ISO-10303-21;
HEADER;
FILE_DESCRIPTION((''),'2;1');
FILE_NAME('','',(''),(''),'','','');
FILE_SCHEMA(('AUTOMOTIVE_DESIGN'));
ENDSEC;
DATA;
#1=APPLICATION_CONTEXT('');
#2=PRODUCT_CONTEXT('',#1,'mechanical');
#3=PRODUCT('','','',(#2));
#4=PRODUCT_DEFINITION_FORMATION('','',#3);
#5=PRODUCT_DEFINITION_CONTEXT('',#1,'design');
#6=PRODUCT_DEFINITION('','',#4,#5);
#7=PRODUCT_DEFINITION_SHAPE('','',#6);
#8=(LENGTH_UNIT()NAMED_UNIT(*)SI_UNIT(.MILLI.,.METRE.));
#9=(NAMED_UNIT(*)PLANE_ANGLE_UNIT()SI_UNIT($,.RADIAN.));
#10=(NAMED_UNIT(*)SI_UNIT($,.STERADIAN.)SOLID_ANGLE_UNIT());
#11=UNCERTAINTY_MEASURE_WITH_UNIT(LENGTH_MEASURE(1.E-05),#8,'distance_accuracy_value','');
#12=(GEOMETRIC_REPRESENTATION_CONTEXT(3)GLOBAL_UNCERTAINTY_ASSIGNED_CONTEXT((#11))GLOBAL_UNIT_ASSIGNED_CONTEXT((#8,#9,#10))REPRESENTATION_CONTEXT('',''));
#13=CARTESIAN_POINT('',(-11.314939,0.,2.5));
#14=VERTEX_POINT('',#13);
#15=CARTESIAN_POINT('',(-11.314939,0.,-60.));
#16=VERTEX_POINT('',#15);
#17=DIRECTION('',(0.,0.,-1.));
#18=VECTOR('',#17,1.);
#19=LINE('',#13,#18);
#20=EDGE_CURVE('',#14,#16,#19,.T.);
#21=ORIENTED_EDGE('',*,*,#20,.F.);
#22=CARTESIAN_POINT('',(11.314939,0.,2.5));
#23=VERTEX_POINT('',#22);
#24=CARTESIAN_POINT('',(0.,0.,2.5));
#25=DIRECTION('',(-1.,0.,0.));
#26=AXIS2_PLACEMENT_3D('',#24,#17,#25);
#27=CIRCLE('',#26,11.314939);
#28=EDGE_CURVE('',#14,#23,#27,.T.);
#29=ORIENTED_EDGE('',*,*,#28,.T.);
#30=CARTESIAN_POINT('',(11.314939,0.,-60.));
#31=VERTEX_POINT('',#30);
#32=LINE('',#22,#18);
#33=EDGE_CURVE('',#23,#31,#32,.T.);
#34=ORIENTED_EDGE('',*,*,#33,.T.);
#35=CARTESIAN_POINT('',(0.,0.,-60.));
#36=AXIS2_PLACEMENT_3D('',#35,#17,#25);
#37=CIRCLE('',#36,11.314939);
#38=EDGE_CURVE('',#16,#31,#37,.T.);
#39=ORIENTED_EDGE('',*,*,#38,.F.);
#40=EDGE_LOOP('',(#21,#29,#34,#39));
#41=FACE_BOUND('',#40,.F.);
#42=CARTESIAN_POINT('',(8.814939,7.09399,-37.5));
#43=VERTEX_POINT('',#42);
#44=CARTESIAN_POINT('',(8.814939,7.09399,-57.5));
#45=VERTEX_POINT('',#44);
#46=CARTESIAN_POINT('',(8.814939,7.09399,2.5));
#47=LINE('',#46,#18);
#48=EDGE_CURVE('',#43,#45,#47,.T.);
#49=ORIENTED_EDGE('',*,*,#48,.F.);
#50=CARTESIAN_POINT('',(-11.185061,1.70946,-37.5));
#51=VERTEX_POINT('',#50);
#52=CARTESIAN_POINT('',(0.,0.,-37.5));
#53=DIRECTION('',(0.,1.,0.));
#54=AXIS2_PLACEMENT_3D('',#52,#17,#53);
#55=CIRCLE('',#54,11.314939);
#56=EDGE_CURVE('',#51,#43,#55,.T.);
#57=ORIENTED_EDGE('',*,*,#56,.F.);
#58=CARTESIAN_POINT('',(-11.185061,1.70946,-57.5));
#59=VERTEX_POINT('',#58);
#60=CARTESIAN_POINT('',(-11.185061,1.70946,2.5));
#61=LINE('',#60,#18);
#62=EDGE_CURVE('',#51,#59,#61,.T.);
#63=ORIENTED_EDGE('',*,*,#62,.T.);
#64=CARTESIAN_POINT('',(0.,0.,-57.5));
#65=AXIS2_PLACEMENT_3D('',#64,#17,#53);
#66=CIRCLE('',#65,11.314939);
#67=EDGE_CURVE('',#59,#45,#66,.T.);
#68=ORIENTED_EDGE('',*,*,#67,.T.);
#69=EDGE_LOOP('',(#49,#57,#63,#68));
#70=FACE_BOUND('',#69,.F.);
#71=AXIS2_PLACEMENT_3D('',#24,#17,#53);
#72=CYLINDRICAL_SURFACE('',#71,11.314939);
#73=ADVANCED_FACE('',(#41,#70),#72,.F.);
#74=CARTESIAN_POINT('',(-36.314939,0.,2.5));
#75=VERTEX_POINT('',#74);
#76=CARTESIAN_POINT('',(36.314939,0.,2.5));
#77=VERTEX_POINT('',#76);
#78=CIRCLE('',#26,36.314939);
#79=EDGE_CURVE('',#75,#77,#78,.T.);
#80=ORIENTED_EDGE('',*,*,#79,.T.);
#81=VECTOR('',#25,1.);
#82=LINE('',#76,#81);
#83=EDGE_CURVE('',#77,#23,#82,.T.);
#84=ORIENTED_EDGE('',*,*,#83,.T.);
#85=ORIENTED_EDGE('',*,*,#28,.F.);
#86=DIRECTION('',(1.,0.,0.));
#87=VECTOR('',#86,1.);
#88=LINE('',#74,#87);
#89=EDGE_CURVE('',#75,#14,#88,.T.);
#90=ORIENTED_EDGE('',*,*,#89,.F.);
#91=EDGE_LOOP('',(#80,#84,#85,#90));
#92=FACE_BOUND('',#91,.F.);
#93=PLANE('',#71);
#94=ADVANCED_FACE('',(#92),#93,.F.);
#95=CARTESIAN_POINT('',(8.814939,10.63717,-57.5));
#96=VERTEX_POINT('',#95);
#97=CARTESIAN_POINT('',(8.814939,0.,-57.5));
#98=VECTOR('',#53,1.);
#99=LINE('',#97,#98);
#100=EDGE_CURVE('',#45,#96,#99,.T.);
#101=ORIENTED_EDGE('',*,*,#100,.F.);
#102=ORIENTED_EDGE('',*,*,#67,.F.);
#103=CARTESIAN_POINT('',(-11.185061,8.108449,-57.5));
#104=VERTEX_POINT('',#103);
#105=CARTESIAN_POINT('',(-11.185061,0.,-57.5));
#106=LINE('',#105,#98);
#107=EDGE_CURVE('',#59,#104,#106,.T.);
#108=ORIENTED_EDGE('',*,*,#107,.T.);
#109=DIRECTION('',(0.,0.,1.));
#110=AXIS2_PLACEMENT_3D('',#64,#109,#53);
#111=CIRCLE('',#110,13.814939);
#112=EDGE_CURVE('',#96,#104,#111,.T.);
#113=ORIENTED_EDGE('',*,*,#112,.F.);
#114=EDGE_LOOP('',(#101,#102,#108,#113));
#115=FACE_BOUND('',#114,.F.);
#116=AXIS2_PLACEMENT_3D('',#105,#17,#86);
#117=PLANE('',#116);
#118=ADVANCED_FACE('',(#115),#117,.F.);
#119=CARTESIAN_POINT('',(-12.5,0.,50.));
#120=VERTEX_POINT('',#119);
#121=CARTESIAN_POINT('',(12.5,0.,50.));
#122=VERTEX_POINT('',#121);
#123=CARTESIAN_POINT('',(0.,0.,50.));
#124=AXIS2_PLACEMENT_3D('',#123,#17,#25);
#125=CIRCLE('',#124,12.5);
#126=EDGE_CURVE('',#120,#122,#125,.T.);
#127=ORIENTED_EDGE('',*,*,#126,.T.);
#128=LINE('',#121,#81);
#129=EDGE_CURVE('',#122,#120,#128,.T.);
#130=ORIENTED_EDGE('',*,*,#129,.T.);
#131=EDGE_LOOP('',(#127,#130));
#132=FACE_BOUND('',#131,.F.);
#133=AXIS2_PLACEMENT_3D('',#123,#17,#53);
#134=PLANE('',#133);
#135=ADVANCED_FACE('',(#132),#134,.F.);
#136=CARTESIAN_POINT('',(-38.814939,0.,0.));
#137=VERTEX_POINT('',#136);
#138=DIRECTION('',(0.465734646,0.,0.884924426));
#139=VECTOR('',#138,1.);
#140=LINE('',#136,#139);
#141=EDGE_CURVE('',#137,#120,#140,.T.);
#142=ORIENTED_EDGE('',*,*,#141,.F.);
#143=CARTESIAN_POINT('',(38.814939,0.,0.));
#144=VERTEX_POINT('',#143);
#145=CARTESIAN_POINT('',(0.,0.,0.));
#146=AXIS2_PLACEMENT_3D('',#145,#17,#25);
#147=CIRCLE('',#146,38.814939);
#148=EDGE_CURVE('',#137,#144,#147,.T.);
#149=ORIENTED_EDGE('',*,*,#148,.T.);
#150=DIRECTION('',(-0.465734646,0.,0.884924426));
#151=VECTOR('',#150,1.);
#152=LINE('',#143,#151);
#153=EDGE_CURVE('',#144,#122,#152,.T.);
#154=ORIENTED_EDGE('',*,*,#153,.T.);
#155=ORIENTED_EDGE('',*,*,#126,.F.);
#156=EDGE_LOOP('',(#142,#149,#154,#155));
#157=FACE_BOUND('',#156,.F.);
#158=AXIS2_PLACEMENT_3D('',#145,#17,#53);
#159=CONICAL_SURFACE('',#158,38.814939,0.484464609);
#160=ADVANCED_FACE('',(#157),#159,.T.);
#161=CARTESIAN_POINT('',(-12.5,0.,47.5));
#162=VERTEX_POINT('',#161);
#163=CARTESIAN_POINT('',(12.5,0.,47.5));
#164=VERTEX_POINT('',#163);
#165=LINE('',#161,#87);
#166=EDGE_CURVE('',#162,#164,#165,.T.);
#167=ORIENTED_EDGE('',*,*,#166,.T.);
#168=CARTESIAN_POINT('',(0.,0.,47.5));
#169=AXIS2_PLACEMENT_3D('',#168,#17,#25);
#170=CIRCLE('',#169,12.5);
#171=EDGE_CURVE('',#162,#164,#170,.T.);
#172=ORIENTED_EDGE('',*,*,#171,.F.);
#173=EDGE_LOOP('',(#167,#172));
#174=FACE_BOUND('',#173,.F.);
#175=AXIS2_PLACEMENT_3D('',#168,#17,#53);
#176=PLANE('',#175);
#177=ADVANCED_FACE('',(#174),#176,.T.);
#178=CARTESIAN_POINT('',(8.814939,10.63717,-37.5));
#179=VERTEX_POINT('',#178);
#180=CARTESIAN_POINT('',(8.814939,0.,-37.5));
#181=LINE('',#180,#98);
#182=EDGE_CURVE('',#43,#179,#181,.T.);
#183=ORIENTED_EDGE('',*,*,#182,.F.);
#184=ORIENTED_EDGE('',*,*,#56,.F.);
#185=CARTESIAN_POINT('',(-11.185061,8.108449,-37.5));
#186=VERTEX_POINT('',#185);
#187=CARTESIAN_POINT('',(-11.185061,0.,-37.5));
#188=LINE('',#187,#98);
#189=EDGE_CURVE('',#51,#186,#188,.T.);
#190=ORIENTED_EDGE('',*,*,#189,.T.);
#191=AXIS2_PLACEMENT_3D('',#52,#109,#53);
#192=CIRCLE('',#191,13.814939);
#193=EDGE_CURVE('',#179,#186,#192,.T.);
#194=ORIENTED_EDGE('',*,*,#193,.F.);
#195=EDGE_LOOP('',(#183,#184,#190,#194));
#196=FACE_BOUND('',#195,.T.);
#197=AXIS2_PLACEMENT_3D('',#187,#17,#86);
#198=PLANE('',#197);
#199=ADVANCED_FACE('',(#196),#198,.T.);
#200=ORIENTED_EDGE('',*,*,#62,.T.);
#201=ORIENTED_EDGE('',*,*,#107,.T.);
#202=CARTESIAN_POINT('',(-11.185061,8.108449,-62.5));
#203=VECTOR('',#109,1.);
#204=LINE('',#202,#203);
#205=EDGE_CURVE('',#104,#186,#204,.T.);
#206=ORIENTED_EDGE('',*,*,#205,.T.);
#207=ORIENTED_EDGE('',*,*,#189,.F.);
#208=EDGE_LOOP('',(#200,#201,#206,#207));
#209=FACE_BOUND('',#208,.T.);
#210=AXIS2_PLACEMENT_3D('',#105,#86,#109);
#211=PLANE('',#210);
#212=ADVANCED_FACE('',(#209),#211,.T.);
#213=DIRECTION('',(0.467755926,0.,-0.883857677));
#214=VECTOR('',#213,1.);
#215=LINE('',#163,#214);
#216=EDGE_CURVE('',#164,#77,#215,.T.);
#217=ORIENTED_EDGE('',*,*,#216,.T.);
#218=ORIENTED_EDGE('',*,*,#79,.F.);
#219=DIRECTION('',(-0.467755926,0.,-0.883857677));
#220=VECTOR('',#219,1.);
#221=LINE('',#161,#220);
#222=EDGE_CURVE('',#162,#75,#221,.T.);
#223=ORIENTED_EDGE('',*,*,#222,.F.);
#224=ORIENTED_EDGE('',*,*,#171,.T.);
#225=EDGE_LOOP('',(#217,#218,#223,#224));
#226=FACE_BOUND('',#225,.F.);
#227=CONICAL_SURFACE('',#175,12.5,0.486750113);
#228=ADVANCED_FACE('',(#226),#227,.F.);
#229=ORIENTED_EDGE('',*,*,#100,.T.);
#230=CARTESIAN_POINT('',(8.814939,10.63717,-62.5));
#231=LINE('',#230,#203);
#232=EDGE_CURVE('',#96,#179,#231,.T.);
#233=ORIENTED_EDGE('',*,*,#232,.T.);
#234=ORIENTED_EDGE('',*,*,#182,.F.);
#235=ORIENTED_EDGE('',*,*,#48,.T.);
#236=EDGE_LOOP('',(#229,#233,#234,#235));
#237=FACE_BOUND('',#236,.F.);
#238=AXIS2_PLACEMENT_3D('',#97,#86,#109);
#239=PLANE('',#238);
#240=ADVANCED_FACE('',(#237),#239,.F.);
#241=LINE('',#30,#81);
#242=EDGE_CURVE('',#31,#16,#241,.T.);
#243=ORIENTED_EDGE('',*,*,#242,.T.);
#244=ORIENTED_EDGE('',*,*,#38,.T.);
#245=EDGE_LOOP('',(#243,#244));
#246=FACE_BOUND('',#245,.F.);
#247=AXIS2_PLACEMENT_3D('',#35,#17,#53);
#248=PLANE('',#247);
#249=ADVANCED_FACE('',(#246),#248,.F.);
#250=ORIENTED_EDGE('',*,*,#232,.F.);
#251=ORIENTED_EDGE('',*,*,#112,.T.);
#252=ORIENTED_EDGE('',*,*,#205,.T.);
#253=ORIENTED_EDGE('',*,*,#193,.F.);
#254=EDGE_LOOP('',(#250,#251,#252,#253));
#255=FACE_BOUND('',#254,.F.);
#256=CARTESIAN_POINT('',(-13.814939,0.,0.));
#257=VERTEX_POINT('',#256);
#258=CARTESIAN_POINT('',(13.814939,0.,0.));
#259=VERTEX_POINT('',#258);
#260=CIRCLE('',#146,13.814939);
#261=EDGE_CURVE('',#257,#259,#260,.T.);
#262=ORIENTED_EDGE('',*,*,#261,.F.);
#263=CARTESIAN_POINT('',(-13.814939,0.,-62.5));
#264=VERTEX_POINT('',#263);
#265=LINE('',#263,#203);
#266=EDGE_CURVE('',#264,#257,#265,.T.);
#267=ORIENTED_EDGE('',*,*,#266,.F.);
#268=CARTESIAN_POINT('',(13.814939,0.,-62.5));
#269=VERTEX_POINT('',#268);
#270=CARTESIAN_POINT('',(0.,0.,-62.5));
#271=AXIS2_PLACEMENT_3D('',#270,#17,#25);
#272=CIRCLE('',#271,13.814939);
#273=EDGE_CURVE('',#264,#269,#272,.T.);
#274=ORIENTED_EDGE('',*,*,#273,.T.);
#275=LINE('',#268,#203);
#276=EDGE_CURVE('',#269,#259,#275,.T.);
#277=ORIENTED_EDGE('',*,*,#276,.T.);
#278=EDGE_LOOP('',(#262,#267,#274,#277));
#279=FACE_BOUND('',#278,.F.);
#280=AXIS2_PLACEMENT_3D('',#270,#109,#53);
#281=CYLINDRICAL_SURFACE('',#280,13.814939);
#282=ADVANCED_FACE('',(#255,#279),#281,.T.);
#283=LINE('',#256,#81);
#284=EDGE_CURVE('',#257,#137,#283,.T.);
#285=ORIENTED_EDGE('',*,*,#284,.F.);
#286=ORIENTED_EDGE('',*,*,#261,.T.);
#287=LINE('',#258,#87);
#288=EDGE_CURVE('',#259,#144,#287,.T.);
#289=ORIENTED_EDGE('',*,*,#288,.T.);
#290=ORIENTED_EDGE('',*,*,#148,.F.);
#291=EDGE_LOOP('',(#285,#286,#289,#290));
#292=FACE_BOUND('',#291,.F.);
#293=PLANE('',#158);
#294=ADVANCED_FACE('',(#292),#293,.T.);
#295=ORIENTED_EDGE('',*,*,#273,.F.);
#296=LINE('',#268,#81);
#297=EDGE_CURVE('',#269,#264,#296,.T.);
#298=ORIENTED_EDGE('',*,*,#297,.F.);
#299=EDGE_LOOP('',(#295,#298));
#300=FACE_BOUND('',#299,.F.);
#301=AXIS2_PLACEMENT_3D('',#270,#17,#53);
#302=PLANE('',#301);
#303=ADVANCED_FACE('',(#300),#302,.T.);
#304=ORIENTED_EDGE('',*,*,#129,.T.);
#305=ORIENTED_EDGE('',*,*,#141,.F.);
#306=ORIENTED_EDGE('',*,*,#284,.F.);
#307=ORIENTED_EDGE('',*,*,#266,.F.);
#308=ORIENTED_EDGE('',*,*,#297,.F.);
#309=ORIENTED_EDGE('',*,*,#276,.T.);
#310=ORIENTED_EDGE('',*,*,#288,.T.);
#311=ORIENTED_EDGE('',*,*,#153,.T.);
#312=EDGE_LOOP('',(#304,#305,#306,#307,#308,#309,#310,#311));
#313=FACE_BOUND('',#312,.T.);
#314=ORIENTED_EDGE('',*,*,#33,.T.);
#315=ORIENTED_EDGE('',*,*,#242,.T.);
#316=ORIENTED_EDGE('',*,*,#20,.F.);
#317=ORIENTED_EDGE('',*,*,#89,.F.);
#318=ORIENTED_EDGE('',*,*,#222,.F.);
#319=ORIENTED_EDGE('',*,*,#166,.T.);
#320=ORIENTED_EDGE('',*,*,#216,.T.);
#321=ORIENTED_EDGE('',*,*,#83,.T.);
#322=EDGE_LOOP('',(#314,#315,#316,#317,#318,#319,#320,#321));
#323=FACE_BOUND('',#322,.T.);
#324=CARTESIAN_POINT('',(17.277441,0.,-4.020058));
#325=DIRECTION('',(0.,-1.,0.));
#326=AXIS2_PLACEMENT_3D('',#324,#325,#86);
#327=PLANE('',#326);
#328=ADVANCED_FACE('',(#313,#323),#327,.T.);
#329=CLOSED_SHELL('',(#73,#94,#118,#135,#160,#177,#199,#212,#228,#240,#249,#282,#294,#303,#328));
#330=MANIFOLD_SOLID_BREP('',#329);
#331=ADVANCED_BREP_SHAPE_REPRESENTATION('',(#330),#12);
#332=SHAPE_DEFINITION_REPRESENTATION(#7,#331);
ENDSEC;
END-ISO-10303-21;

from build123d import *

# Parameters (mm, degrees)
F1_ANGLE = 180
F2_W     = 20
F2_H     = 20
F3_DEPTH = 25


with BuildPart() as f1:
    # F0 (on Right) → F1 (revolve, symmetric)
    with BuildSketch(Plane.YZ) as f1_sk:
        Polygon((0, -60), (0, -62.5), (13.814939, -62.5), (13.814939, 0), (38.814939, 0), (12.5, 50), (0, 50), (0, 47.5), (12.5, 47.5), (36.314939, 2.5), (11.314939, 2.5), (11.314939, -60), align=None)
    revolve(axis=Axis((0, 0, -61.25), (0, 0, 1)), revolution_arc=F1_ANGLE / 2)
    revolve(f1_sk.sketch, axis=Axis((0, 0, -61.25), (0, 0, -1)), revolution_arc=F1_ANGLE / 2)

    # F2 (on Front) → F3 (cut)
    with BuildSketch(Plane.XZ):
        with Locations((-1.185061, -47.5)):
            Rectangle(F2_W, F2_H)
    extrude(amount=-F3_DEPTH, mode=Mode.SUBTRACT)


solid = f1.part
